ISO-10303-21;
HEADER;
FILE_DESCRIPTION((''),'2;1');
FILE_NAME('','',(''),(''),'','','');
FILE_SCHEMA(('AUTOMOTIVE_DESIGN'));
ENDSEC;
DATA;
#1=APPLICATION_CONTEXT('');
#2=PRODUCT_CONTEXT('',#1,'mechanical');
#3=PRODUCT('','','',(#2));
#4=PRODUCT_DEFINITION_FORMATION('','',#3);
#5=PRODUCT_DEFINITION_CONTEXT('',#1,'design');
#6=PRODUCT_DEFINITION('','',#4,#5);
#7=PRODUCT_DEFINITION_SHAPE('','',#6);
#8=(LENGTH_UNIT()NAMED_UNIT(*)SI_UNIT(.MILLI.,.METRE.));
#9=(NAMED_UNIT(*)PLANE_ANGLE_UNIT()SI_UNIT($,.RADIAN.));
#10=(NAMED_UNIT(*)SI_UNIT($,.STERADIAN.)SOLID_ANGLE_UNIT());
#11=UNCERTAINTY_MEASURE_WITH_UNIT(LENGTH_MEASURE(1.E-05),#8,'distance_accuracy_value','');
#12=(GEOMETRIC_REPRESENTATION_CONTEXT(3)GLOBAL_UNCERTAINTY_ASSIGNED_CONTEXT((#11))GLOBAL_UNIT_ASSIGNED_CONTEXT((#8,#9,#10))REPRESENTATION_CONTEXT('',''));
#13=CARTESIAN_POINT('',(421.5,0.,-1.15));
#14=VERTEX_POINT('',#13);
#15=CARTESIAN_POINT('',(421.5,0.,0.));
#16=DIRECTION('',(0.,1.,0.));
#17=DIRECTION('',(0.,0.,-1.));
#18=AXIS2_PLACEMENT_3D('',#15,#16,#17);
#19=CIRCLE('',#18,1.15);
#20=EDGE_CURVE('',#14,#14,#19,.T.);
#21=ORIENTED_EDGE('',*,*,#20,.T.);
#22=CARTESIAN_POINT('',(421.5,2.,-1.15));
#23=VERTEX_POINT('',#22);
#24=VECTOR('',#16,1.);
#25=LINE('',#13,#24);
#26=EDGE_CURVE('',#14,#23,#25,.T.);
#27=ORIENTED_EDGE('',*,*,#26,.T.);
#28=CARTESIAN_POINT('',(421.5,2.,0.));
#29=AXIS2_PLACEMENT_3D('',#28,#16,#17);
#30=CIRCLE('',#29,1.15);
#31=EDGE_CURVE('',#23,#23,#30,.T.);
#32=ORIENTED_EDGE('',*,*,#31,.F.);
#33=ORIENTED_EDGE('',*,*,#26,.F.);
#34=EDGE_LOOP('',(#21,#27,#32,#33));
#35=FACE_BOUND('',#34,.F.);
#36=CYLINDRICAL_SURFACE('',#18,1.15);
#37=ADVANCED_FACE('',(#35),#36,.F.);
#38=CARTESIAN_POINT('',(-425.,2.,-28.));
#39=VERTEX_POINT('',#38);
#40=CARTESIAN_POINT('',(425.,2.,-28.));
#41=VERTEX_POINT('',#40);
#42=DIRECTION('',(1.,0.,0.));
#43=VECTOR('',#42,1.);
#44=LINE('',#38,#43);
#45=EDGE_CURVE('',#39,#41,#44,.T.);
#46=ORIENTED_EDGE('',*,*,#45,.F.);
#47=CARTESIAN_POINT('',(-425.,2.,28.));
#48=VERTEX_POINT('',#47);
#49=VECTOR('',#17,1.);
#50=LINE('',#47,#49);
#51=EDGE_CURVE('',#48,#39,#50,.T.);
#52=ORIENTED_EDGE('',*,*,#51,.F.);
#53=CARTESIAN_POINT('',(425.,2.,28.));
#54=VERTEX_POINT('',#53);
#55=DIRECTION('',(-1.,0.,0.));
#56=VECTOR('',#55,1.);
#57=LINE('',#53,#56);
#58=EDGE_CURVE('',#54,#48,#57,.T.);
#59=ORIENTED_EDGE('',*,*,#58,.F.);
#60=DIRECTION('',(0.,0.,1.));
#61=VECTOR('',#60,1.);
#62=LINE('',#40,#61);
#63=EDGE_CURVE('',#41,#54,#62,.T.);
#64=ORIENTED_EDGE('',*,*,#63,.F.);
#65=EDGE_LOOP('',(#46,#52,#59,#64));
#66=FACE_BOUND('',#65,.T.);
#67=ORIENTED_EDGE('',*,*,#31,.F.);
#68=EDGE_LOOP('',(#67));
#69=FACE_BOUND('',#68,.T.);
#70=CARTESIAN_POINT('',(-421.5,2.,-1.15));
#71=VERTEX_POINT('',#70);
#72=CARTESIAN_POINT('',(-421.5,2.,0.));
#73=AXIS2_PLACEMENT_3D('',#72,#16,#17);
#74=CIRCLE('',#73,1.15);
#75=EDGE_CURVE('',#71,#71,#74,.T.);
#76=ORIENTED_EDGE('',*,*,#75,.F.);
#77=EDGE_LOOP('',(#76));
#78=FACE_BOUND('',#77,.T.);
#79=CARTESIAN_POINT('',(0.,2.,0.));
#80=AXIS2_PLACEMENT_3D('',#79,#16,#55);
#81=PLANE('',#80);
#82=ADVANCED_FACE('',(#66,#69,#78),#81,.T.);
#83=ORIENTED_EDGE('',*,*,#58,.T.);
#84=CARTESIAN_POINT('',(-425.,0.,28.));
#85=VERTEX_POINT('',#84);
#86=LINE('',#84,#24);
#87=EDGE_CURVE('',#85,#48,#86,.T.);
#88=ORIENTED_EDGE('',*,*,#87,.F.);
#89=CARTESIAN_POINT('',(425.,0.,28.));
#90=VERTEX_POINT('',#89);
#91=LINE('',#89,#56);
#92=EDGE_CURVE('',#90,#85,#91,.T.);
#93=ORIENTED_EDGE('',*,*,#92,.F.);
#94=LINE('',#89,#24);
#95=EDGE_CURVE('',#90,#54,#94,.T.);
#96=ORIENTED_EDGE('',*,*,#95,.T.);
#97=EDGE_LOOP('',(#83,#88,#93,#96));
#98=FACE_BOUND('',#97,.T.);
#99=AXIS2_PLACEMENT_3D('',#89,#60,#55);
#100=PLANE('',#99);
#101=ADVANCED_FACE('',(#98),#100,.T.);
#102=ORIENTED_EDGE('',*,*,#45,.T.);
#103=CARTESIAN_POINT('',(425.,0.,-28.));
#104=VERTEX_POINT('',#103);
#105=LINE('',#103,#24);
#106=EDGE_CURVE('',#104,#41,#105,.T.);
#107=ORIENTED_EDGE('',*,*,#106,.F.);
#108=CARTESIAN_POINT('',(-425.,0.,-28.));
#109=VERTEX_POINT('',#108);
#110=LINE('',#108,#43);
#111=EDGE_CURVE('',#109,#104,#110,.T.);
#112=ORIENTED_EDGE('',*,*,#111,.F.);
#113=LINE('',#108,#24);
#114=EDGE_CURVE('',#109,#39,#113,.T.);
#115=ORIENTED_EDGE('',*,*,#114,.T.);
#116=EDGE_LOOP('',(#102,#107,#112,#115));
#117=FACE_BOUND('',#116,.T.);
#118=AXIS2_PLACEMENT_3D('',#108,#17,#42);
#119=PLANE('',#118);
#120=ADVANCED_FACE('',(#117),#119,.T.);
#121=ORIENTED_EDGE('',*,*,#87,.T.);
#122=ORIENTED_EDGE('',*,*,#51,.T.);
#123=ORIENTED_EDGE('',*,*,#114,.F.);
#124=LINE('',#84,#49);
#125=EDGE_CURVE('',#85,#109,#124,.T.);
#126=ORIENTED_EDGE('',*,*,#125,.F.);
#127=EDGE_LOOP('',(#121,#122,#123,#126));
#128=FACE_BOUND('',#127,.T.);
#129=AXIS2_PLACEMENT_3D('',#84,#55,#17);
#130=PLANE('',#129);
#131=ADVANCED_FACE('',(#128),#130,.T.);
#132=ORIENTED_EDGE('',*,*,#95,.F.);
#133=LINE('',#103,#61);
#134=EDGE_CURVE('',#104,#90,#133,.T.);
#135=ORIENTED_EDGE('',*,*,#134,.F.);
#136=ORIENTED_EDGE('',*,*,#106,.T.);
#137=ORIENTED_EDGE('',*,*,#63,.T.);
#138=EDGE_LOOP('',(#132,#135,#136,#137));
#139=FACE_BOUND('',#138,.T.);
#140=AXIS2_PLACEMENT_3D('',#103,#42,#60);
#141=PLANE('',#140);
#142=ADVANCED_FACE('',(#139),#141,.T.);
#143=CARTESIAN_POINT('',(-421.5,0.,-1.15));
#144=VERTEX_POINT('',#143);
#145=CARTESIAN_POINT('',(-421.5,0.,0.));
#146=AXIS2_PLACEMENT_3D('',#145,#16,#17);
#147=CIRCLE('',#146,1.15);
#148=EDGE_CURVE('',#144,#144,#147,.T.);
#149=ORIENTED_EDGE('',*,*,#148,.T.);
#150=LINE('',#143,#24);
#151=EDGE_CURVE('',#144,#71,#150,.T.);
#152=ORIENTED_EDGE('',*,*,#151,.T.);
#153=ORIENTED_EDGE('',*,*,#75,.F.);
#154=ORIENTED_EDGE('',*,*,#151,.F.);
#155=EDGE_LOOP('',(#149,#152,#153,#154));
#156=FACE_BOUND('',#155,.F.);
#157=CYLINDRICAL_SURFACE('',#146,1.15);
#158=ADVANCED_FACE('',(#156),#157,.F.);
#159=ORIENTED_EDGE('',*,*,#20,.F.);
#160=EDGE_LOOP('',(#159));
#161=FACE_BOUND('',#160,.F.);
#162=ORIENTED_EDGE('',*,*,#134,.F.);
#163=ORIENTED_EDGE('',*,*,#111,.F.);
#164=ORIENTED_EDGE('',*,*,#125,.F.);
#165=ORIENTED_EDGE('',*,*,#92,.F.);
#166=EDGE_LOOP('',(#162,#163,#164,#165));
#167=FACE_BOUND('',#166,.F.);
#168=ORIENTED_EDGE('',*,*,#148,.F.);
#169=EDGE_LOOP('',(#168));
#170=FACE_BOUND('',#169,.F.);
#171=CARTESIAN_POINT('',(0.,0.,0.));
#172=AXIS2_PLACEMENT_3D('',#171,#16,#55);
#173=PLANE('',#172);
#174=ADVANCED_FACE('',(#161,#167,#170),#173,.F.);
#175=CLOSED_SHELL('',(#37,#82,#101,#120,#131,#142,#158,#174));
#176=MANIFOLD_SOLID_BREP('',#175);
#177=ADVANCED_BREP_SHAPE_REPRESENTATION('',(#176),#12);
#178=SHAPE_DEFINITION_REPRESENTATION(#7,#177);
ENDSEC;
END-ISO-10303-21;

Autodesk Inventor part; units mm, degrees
ref_plane "YZ Plane" through (0, 0, 0) normal (1, 0, 0) x (0, 1, 0)
ref_plane "XZ Plane" through (0, 0, 0) normal (0, 1, 0) x (-1, 0, 0)
ref_plane "XY Plane" through (0, 0, 0) normal (0, 0, 1) x (1, 0, 0)
sketch "Sketch2" plane through (0, 0, 0) normal (0, 1, 0) x (-1, 0, 0)
  line L0 (-425, 28) -> (425, 28)
  line L1 (425, 28) -> (425, -28)
  line L2 (425, -28) -> (-425, -28)
  line L3 (-425, -28) -> (-425, 28)
  point P0 (0, 0)
  dimension "d0" = 56
  dimension "d1" = 28
  dimension "d2" = 850
  dimension "d3" = 425
extrude "Extrusion1" add sketch "Sketch2" along normal blind 2
sketch "Sketch3" plane through (0, 0, 0) normal (0, -1, 0) x (1, 0, 0)
  circle A0 centre (-421.5, 0) radius 1.15
  line L0 (-425, 28) -> (-425, -28) projected
  point P0 (0, 0)
  dimension "d6" = 2.3
  dimension "d7" = 3.5
hole "Hole1" at (-421.5, 0, 0) direction (0, 1, 0) diameter 2.3 end through all
sketch "Sketch4" plane through (0, 0, 0) normal (0, -1, 0) x (1, 0, 0)
  circle A0 centre (421.5, 0) radius 1.15
  line L0 (425, -28) -> (425, 28) projected
  point P0 (0, 0)
  dimension "d15" = 2.3
  dimension "d16" = 3.5
hole "Hole2" at (421.5, 0, 0) direction (0, 1, 0) diameter 2.3 end through all
equation "\"d1\" = 0.5 * d0"
equation "\"d3\" = 0.5 * d2"
properties part number "rf transmission plate"
